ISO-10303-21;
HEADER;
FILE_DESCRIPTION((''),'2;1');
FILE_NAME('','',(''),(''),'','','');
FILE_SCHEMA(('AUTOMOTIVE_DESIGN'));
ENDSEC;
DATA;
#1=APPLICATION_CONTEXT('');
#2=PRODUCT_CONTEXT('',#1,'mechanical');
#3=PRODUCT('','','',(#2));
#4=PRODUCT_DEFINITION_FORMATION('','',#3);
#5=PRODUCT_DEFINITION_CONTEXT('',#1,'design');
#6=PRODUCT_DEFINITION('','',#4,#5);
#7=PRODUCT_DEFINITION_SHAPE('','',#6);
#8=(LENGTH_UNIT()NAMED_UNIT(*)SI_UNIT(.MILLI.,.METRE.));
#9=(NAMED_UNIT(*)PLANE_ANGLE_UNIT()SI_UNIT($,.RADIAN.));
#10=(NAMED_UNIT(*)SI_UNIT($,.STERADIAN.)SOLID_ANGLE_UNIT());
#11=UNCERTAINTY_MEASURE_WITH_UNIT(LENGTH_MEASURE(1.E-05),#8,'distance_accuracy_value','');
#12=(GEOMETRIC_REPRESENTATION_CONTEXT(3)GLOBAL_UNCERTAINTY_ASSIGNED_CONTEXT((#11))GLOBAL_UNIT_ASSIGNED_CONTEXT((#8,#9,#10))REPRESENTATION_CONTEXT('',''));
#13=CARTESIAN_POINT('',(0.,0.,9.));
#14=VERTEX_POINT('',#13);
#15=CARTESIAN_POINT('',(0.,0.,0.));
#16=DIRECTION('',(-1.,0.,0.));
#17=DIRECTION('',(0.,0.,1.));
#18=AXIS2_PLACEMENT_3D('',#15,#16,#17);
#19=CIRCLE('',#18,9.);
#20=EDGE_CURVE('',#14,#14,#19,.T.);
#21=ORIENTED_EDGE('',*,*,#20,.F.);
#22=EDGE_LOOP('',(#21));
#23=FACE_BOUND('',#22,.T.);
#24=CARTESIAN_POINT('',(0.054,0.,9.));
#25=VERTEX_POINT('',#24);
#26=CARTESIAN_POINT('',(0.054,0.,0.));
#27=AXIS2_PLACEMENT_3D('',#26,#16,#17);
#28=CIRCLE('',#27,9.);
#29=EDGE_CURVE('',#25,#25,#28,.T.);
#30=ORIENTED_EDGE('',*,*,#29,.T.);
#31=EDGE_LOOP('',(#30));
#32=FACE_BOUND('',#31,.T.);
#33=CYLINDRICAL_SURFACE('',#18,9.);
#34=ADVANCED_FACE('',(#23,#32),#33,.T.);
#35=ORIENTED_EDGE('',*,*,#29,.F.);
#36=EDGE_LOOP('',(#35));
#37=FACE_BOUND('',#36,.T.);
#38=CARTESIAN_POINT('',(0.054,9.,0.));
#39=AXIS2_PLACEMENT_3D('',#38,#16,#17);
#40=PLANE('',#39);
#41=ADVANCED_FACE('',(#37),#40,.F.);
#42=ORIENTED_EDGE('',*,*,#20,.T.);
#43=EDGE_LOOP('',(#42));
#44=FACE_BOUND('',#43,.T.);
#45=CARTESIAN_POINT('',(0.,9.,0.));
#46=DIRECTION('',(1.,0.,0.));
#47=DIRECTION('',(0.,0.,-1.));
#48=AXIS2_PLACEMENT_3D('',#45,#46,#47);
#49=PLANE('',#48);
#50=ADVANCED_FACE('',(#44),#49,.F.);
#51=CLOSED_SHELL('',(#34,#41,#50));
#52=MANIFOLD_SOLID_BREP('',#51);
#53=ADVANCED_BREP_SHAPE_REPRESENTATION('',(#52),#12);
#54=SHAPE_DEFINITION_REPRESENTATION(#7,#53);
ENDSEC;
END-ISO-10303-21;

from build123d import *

# Parameters (mm, degrees)
SKETCH_1_W = 0.054
SKETCH_1_H = 9


with BuildPart() as part:
    # 草图1 → 旋转2 (revolve)
    with BuildSketch(Plane.XY, mode=Mode.PRIVATE) as revolve_2_sk:
        with Locations((0.027, 4.5)):
            Rectangle(SKETCH_1_W, SKETCH_1_H)
    revolve(revolve_2_sk.sketch.rotate(Axis((0, 0, 0), (1, 0, 0)), 90), axis=Axis((0, 0, 0), (1, 0, 0)))  # turned: the seam where the file's is


solid = part.part
